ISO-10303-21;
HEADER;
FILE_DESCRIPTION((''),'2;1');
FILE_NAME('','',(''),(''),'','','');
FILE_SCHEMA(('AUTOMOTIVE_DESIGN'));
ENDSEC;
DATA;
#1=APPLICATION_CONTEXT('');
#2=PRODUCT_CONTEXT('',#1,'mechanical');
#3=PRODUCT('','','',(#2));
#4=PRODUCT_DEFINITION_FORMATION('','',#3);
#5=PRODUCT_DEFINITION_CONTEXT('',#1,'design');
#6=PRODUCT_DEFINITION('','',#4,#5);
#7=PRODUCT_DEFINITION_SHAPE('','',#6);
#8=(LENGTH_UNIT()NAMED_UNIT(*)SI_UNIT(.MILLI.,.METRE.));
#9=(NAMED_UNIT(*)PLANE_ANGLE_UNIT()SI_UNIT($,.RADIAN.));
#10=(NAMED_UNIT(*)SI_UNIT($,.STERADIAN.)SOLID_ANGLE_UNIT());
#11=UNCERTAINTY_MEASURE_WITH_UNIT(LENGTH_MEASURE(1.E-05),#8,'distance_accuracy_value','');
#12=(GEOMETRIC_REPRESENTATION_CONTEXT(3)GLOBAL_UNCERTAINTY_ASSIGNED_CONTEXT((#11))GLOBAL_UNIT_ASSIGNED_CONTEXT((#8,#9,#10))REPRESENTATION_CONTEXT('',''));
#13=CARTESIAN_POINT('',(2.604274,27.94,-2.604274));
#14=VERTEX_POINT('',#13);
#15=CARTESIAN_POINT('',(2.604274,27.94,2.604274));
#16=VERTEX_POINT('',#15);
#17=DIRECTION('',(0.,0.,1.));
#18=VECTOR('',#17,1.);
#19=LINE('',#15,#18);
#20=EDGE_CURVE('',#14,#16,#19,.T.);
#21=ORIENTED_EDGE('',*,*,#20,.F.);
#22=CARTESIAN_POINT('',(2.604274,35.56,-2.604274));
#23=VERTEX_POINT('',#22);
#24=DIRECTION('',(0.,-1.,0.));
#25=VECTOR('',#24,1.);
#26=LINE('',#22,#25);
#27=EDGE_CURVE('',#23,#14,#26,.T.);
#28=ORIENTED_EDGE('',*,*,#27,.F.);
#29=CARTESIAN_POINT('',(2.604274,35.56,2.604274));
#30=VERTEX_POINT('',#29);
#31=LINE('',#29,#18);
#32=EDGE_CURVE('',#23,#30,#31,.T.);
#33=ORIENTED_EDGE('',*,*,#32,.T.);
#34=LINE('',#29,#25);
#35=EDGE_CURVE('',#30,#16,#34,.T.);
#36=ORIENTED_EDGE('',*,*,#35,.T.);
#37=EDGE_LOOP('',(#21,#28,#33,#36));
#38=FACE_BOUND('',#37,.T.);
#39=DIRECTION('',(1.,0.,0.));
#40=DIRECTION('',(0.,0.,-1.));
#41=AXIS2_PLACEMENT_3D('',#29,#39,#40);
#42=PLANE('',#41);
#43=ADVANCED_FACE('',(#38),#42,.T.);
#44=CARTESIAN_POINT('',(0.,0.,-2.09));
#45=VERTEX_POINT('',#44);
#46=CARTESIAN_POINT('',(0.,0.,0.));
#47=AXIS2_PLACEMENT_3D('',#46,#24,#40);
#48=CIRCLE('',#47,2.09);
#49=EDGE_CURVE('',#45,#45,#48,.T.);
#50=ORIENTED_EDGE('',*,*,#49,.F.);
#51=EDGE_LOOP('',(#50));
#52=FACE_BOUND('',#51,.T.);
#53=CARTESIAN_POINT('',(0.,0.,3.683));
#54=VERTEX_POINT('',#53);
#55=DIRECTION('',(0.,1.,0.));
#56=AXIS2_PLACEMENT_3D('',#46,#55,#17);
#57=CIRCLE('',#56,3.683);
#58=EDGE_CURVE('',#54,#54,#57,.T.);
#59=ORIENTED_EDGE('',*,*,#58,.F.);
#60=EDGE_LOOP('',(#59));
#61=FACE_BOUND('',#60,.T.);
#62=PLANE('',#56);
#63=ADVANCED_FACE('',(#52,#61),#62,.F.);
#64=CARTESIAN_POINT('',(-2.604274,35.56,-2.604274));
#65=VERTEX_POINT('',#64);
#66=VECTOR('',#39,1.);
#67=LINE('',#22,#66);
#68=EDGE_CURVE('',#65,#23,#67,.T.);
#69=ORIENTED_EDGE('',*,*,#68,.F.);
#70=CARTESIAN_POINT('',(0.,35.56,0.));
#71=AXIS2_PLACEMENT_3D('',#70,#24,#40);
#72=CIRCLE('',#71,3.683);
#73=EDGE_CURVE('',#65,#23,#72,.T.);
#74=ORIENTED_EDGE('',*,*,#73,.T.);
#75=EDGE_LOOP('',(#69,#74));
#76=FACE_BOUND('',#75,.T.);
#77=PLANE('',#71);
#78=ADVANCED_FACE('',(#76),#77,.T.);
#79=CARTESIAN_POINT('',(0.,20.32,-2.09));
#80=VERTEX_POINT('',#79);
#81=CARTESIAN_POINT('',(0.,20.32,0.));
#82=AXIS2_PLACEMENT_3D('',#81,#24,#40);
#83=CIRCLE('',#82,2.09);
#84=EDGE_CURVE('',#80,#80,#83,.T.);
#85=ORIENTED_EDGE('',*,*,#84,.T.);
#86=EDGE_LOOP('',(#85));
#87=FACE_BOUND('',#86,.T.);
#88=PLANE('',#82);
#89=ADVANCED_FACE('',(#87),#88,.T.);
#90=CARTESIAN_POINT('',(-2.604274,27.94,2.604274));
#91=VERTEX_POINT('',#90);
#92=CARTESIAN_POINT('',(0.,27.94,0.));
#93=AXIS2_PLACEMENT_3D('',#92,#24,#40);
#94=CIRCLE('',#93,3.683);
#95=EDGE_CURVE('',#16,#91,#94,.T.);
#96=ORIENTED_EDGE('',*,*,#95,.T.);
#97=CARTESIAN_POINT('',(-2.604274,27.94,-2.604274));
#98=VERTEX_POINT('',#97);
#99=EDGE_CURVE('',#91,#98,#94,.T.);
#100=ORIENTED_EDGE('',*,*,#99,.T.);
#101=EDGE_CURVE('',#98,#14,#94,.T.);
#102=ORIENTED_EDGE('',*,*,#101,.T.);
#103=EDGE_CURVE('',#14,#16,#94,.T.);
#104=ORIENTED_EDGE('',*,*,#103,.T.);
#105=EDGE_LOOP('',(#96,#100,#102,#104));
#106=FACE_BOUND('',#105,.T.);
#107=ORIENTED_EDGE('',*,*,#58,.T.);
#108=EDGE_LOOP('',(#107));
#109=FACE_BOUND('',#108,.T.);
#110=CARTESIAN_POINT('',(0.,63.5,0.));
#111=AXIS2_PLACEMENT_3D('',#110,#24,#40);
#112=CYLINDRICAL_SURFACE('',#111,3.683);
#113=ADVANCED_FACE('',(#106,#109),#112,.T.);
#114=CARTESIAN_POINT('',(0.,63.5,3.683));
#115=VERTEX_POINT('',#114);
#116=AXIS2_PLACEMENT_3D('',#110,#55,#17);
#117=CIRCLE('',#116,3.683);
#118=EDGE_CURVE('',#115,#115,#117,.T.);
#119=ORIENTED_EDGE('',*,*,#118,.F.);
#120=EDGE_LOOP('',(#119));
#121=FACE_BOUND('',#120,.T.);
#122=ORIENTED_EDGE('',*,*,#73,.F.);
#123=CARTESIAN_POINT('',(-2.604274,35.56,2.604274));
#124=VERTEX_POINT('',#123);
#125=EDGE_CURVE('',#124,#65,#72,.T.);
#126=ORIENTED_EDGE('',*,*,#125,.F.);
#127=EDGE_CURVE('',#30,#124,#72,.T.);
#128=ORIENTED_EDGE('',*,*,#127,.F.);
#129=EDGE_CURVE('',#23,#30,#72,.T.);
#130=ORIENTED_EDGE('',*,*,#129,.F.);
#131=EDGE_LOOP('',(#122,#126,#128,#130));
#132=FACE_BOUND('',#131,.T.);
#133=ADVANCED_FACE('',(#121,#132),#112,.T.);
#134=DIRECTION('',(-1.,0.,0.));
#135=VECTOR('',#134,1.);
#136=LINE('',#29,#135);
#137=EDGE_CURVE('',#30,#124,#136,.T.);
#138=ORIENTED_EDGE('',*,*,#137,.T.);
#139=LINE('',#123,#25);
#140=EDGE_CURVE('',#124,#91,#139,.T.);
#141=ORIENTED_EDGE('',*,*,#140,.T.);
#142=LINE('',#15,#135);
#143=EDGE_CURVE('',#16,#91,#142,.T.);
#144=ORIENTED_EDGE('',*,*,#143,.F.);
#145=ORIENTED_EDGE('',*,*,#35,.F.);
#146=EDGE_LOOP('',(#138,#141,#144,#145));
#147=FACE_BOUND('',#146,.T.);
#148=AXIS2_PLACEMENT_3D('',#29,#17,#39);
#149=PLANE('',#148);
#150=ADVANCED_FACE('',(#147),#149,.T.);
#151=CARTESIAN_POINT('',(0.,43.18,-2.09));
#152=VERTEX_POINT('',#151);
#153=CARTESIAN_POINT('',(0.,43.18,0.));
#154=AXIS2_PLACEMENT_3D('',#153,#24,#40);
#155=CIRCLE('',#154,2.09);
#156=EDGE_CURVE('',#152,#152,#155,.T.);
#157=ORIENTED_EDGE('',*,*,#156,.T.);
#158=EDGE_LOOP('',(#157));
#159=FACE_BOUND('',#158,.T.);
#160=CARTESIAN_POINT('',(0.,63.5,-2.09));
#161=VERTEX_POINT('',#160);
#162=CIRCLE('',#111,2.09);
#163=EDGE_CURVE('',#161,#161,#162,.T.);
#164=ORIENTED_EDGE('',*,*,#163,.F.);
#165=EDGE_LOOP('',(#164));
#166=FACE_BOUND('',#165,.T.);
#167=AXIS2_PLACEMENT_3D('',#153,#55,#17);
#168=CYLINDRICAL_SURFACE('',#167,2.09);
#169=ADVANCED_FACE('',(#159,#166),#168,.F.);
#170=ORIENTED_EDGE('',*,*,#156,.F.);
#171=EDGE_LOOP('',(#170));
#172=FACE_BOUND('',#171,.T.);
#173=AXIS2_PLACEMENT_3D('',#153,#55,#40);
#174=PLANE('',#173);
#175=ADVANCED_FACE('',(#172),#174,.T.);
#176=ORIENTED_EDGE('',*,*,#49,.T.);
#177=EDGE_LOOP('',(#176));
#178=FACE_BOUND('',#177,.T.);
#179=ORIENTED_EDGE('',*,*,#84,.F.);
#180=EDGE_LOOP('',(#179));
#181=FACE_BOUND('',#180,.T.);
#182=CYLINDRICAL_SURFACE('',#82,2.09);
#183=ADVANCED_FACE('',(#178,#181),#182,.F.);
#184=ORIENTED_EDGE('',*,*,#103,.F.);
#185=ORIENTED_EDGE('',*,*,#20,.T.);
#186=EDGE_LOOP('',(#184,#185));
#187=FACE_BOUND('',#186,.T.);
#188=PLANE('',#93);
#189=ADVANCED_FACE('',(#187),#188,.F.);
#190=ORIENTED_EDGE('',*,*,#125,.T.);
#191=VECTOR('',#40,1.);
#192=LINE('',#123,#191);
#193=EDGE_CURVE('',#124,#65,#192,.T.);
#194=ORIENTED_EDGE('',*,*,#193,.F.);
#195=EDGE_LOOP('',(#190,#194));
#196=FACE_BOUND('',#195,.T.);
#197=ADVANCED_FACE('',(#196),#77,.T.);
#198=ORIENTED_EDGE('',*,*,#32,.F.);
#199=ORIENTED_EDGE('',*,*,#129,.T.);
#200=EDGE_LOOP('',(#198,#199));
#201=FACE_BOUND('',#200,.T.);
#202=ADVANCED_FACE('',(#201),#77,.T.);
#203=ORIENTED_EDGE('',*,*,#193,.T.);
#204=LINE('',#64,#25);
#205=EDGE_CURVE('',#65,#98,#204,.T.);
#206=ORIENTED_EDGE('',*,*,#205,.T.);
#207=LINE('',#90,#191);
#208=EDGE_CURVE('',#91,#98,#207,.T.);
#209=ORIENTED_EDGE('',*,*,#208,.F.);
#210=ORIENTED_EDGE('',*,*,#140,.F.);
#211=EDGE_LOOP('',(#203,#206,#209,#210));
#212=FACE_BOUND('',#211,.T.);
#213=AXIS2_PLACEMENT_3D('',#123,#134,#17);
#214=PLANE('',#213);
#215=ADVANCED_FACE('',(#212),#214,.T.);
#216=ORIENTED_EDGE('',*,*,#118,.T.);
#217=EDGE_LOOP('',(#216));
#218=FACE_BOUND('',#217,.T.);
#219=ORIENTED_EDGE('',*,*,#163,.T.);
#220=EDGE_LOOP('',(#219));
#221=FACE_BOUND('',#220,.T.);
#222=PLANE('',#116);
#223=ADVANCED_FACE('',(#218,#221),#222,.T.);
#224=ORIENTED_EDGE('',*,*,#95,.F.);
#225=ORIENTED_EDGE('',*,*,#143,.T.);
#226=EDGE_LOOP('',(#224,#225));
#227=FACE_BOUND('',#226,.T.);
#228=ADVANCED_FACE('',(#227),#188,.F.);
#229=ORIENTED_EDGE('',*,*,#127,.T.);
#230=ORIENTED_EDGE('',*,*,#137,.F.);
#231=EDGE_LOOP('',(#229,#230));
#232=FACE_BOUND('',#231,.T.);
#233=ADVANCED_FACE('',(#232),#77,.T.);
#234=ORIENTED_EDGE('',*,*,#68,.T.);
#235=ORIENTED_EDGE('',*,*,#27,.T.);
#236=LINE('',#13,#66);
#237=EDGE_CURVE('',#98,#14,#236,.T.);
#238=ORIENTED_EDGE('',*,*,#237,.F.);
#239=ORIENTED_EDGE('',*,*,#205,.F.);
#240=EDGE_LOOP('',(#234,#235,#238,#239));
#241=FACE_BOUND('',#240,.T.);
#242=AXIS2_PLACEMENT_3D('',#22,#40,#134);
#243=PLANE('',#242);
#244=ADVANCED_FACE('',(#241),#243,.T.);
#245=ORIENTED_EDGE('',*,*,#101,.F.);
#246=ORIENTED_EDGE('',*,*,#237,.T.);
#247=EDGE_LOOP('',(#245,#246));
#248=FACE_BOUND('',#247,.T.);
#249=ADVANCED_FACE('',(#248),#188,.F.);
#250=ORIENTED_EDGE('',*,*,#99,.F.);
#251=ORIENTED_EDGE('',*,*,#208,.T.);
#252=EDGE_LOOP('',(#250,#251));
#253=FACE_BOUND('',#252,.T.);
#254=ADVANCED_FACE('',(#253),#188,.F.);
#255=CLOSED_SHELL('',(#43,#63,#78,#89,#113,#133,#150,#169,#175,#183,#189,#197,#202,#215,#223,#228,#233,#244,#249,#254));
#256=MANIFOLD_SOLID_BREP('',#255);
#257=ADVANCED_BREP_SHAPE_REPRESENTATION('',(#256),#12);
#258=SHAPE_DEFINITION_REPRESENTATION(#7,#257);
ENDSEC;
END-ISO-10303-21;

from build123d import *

# Parameters (mm, degrees)
SKETCH1_R           = 3.683
BOSS_EXTRUDE1_DEPTH = 63.5
SKETCH7_R           = 2.09
CUT_EXTRUDE1_DEPTH  = 20.32
SKETCH8_OUTSIDE_W   = 22.236
SKETCH8_OUTSIDE_H   = 22.236
SKETCH8_OUTSIDE_W_2 = 5.20854855
SKETCH8_OUTSIDE_H_2 = 5.20854855
CUT_EXTRUDE3_DEPTH  = 3.81


with BuildPart() as part:
    # Sketch1 → Boss-Extrude1 (new body)
    with BuildSketch(Plane(origin=(0, 0, 0), x_dir=(1, 0, 0), z_dir=(0, 1, 0))):
        Circle(SKETCH1_R)
    extrude(amount=BOSS_EXTRUDE1_DEPTH)

    # Sketch7 → Cut-Extrude1 (cut)
    with BuildSketch(Plane.XZ):
        Circle(SKETCH7_R)
    cut_extrude1 = extrude(amount=-CUT_EXTRUDE1_DEPTH, mode=Mode.SUBTRACT)

    # Mirror1: Cut-Extrude1 across plane
    add(cut_extrude1.mirror(Plane(origin=(0, 31.75, 0), x_dir=(0, 0, 1), z_dir=(0, -1, 0))), mode=Mode.SUBTRACT)

    # Sketch8 outside → Cut-Extrude3 (cut, symmetric)
    with BuildSketch(Plane(origin=(0, 31.75, 0), x_dir=(-1, 0, 0), z_dir=(0, -1, 0))):
        Rectangle(SKETCH8_OUTSIDE_W, SKETCH8_OUTSIDE_H)
        Rectangle(SKETCH8_OUTSIDE_W_2, SKETCH8_OUTSIDE_H_2, mode=Mode.SUBTRACT)
    extrude(amount=CUT_EXTRUDE3_DEPTH, both=True, mode=Mode.SUBTRACT)


solid = part.part
